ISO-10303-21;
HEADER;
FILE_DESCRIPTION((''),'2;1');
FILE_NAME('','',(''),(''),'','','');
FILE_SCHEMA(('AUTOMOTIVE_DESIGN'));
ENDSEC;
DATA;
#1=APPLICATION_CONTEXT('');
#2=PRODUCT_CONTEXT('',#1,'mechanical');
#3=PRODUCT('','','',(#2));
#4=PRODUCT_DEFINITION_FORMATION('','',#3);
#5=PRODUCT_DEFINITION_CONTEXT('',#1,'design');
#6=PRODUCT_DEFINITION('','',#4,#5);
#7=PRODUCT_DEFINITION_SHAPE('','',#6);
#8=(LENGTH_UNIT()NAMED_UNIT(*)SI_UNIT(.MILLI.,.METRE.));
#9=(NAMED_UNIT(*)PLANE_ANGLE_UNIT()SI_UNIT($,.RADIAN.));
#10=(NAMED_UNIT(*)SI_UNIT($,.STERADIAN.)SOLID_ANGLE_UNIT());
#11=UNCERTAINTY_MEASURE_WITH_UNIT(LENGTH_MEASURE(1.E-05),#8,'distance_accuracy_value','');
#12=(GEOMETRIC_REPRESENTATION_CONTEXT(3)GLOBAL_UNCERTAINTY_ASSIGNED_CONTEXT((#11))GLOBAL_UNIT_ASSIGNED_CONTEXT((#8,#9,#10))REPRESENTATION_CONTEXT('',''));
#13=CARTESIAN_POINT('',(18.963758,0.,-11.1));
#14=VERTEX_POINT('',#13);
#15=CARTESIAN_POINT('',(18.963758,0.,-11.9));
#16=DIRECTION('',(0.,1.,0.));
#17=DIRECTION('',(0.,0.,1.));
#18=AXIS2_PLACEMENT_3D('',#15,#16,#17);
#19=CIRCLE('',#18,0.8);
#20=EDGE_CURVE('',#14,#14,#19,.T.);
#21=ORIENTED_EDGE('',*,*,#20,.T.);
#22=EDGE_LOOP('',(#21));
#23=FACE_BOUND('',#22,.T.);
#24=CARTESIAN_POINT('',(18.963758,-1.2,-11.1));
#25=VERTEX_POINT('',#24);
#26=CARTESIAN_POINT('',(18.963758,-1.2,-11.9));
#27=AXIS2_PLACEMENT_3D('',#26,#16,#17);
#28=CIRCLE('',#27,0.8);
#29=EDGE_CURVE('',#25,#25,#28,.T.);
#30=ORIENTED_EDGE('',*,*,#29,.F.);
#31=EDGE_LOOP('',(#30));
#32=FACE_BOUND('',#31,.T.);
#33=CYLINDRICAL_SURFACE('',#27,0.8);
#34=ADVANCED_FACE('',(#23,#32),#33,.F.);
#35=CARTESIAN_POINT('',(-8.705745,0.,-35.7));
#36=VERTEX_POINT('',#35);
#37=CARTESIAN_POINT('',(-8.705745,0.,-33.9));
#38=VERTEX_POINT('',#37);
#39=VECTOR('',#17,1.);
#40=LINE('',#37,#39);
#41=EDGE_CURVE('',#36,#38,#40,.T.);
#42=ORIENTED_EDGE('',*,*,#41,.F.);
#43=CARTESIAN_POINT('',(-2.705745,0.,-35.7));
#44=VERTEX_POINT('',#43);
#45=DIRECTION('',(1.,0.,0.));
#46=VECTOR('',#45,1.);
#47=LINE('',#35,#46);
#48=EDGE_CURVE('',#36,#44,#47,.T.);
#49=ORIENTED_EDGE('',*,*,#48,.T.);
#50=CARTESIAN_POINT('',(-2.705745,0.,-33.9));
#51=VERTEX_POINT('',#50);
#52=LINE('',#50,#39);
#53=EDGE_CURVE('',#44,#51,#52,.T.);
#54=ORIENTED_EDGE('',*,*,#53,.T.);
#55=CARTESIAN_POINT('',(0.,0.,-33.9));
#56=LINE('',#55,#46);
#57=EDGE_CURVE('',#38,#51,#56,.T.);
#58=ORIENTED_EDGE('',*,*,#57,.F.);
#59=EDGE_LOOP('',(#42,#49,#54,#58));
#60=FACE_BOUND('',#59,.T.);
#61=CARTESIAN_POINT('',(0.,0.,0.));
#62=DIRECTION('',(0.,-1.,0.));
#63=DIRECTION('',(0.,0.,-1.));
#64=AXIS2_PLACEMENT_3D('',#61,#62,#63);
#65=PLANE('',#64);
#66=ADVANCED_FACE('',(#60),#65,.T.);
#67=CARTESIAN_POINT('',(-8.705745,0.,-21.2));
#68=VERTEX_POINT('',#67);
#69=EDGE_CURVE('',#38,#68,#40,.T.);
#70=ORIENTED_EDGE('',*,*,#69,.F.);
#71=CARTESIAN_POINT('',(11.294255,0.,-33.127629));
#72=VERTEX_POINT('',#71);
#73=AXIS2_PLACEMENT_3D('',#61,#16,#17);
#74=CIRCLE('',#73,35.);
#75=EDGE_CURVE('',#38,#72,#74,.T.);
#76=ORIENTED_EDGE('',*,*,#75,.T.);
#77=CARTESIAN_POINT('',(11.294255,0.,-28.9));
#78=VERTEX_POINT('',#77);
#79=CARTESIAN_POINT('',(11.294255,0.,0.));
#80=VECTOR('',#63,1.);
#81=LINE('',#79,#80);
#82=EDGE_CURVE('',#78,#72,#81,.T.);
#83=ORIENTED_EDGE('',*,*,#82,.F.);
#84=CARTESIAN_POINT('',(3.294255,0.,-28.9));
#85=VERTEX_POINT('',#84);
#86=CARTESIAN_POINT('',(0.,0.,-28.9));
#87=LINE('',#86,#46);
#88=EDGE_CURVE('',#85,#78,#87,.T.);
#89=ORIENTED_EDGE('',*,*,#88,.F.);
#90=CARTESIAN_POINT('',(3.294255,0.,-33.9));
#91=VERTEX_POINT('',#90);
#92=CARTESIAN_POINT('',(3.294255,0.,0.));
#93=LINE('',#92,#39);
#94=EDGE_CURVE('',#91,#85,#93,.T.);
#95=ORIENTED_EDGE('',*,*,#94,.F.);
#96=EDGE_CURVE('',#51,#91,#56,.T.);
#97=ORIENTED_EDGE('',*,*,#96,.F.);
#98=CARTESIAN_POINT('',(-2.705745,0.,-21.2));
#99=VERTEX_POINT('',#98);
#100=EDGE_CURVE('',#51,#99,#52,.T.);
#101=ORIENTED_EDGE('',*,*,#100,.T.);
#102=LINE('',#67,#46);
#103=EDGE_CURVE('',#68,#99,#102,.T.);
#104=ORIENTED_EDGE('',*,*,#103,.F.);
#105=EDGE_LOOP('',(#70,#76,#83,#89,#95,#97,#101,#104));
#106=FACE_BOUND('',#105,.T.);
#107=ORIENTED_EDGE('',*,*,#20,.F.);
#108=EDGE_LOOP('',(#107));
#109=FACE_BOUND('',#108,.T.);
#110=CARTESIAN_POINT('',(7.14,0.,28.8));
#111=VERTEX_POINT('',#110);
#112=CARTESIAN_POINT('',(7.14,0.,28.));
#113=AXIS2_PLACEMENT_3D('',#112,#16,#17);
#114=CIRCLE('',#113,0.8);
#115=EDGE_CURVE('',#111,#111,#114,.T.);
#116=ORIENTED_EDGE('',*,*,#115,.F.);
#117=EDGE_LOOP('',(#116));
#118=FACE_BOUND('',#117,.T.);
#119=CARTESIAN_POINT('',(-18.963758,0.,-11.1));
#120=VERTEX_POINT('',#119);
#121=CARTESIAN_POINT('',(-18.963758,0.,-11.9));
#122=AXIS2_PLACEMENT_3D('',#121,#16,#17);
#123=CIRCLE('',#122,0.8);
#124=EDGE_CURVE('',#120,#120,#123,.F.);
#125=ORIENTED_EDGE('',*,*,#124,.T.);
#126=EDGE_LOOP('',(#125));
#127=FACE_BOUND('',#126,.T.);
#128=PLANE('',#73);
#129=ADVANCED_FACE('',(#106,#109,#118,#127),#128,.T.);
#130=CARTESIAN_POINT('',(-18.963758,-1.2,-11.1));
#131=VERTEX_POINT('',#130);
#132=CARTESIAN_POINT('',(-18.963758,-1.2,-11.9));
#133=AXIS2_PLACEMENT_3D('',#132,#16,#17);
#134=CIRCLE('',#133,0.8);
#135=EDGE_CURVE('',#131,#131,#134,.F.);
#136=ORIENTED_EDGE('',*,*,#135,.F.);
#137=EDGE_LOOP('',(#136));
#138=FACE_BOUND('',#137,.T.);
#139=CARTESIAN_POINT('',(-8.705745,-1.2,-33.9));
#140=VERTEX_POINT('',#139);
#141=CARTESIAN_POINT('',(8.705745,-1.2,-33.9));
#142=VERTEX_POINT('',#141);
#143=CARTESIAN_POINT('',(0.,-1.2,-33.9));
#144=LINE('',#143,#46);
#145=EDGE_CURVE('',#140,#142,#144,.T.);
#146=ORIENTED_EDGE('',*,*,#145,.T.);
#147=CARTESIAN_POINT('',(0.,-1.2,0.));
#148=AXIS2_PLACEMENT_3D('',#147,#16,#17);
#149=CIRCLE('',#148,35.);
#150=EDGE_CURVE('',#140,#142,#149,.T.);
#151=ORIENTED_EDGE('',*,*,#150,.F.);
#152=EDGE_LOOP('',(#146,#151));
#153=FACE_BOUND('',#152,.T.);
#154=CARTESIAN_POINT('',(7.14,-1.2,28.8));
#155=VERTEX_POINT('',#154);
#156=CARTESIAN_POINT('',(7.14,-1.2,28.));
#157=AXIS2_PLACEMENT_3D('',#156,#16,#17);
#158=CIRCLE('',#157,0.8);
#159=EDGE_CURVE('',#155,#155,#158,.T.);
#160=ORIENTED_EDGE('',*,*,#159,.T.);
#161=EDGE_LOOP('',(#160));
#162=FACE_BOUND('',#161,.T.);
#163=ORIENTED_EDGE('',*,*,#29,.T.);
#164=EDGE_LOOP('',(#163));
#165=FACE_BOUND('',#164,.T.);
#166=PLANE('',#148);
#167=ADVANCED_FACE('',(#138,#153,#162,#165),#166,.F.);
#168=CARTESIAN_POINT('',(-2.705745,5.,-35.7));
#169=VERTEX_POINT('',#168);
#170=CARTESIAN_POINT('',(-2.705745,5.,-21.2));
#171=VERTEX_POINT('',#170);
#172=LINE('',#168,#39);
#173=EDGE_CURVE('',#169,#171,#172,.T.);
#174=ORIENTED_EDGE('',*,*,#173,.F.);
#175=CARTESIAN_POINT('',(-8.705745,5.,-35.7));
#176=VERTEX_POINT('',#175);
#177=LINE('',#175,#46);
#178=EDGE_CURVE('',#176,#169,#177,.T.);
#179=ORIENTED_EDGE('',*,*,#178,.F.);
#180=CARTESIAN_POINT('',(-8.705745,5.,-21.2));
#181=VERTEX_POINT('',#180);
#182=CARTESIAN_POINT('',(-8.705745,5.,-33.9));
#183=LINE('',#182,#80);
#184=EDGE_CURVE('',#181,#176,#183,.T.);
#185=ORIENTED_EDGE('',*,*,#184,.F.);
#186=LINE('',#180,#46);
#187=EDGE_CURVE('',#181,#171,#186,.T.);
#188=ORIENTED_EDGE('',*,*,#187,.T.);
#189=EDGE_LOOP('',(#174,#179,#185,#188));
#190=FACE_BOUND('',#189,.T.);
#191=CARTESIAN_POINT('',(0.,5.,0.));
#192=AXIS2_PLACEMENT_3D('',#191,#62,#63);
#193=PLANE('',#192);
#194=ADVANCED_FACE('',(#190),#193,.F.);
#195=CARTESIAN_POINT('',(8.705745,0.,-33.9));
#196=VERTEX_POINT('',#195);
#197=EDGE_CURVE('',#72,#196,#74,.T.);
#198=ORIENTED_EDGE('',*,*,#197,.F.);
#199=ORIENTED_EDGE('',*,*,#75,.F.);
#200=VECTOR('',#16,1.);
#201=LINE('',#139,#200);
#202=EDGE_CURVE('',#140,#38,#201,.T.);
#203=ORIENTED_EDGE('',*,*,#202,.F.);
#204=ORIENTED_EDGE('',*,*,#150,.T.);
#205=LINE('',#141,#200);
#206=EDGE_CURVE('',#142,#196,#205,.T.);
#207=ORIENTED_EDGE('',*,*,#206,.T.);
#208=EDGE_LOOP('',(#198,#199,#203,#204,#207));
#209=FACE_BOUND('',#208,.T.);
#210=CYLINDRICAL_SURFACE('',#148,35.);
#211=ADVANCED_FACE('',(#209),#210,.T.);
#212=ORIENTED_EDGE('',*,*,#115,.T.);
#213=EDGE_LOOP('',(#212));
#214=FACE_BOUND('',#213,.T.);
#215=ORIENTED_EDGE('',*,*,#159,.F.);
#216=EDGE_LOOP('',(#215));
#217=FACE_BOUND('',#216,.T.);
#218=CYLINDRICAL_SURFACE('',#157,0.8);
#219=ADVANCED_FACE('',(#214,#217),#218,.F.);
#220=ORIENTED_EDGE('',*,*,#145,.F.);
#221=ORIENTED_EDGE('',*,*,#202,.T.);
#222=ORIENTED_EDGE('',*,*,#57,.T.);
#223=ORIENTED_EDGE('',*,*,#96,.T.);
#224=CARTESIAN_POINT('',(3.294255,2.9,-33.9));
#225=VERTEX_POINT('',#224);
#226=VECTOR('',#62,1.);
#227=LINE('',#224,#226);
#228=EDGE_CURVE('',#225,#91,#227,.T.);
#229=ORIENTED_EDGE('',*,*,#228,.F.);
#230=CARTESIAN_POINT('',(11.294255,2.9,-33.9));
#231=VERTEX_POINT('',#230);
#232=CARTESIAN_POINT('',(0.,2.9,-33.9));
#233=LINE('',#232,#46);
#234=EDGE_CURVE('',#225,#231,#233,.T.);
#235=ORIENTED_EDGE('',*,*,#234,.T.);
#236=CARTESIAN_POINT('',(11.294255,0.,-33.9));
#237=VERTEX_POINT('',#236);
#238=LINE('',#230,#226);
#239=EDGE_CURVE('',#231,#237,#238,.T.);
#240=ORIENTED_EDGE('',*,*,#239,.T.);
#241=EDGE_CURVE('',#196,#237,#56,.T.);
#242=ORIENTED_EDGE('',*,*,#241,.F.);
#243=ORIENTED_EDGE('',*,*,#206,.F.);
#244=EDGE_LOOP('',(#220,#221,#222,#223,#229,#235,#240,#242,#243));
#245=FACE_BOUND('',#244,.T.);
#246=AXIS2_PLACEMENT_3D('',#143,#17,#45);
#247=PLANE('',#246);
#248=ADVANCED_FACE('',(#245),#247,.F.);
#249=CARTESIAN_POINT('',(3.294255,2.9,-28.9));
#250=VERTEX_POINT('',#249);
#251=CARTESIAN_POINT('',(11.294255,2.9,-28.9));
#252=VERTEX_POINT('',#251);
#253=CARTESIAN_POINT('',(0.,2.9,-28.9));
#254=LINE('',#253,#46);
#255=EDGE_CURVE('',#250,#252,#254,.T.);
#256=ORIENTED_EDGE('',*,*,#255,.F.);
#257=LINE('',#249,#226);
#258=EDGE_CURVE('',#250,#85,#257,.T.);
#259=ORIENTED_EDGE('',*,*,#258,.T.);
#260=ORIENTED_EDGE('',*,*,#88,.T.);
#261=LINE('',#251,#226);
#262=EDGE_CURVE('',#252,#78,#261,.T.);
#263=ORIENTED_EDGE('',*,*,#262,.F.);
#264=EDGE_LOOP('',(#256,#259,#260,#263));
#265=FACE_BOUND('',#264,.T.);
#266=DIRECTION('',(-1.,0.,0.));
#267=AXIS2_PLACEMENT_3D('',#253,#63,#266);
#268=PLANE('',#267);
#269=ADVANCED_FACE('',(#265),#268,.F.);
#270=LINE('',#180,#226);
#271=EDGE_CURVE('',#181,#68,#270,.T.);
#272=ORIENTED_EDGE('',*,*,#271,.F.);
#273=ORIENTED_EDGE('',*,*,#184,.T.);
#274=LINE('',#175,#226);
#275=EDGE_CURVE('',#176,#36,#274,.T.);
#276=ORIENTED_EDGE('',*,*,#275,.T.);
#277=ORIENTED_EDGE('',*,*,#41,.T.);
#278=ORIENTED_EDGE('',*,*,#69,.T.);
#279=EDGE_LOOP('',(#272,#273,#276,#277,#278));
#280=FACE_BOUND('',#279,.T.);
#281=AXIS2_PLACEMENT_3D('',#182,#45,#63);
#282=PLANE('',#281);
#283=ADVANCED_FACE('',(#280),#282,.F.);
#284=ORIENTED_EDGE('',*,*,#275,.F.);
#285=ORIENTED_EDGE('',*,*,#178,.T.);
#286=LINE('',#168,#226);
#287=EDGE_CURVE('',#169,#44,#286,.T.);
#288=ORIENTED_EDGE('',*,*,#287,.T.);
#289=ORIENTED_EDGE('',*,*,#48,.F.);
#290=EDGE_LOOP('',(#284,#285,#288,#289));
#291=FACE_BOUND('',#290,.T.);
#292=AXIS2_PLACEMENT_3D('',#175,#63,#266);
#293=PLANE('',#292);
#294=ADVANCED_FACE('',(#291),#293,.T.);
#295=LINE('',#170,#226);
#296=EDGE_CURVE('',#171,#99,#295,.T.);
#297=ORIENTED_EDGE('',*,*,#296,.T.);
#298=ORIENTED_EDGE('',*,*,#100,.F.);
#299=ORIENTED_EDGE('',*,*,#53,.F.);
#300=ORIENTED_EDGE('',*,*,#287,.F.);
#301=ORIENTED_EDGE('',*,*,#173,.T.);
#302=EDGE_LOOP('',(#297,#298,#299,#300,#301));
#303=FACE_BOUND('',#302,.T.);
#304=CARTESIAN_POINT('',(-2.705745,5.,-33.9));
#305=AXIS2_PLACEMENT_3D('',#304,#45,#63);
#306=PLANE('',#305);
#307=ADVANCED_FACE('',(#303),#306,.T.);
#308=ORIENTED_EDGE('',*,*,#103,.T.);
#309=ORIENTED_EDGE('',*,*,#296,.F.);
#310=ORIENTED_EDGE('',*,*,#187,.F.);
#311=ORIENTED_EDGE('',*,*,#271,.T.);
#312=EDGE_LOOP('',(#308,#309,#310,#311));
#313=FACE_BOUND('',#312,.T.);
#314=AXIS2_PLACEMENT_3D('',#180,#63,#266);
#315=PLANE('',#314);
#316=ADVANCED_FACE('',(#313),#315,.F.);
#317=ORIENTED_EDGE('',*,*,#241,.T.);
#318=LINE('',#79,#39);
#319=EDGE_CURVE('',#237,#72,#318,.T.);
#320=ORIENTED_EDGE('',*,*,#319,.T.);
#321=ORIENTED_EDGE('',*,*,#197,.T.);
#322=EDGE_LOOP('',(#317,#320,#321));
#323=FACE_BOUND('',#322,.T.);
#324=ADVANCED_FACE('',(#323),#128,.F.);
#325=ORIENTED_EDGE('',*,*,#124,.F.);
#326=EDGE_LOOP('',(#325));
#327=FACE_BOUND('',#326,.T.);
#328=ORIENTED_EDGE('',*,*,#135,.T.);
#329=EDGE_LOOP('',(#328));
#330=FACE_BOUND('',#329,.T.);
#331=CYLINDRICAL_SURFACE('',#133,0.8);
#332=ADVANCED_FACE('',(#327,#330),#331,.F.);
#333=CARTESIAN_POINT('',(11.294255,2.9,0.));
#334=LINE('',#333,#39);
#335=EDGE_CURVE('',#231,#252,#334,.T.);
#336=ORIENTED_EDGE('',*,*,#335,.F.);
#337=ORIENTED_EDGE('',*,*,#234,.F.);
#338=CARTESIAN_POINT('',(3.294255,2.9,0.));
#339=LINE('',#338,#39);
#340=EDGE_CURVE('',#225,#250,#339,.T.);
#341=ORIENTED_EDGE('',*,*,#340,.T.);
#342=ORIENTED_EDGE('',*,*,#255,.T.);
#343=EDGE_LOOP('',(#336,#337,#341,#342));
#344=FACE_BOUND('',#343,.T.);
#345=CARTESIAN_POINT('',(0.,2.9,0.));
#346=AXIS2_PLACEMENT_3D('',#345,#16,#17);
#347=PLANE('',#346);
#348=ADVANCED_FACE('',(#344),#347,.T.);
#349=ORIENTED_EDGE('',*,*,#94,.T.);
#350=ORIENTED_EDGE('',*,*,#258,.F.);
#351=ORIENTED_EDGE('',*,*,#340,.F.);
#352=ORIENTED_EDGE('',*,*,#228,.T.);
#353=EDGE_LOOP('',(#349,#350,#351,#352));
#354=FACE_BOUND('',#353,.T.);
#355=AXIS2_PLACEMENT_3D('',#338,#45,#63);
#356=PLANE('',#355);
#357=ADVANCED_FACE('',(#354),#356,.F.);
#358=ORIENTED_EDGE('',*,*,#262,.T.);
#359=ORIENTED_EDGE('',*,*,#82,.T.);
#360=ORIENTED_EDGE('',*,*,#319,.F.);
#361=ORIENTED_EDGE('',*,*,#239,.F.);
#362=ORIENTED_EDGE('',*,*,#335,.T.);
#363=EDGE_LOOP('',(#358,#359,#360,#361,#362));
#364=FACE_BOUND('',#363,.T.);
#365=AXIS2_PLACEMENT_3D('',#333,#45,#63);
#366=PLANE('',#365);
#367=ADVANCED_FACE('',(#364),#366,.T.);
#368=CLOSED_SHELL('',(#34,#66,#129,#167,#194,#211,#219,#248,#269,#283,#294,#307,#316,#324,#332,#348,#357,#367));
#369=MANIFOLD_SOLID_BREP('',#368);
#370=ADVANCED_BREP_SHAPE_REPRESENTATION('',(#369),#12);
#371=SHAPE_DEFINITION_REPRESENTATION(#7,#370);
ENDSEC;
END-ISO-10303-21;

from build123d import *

# Parameters (mm, degrees)
BOSS_EXTRUDE1_DEPTH = 5
SKETCH1_4_R         = 0.8
BOSS_EXTRUDE3_DEPTH = 1.2
SKETCH4_W           = 8
SKETCH4_H           = 5
BOSS_EXTRUDE5_DEPTH = 2.9


with BuildPart() as part:
    # Sketch1 → Boss-Extrude1 (new body)
    with BuildSketch(Plane(origin=(0, 0, 0), x_dir=(1, 0, 0), z_dir=(0, 1, 0))):
        Polygon((-8.705745229, 33.9), (-8.705745229, 35.7), (-2.705745229, 35.7), (-2.705745229, 33.9), (-2.705745229, 21.2), (-8.705745229, 21.2), align=None)
    extrude(amount=BOSS_EXTRUDE1_DEPTH)

    # Sketch1<4> → Boss-Extrude3 (add)
    with BuildSketch(Plane(origin=(0, 0, 0), x_dir=(1, 0, 0), z_dir=(0, 1, 0))):
        with BuildLine():
            ThreePointArc((-8.705745229, 33.9), (0, -35), (8.705745229, 33.9))
            Line((8.705745229, 33.9), (-8.705745229, 33.9))
        make_face()
        with Locations((7.14, -28)):
            Circle(SKETCH1_4_R, mode=Mode.SUBTRACT)
        with Locations((-18.963757819, 11.9)):
            Circle(SKETCH1_4_R, mode=Mode.SUBTRACT)
        with Locations((18.963757819, 11.9)):
            Circle(SKETCH1_4_R, mode=Mode.SUBTRACT)
    extrude(amount=-BOSS_EXTRUDE3_DEPTH)

    # Sketch4 → Boss-Extrude5 (add)
    with BuildSketch(Plane(origin=(0, 0, 0), x_dir=(1, 0, 0), z_dir=(0, 1, 0))):
        with Locations((7.294254771, 31.4)):
            Rectangle(SKETCH4_W, SKETCH4_H)
    extrude(amount=BOSS_EXTRUDE5_DEPTH)


solid = part.part
